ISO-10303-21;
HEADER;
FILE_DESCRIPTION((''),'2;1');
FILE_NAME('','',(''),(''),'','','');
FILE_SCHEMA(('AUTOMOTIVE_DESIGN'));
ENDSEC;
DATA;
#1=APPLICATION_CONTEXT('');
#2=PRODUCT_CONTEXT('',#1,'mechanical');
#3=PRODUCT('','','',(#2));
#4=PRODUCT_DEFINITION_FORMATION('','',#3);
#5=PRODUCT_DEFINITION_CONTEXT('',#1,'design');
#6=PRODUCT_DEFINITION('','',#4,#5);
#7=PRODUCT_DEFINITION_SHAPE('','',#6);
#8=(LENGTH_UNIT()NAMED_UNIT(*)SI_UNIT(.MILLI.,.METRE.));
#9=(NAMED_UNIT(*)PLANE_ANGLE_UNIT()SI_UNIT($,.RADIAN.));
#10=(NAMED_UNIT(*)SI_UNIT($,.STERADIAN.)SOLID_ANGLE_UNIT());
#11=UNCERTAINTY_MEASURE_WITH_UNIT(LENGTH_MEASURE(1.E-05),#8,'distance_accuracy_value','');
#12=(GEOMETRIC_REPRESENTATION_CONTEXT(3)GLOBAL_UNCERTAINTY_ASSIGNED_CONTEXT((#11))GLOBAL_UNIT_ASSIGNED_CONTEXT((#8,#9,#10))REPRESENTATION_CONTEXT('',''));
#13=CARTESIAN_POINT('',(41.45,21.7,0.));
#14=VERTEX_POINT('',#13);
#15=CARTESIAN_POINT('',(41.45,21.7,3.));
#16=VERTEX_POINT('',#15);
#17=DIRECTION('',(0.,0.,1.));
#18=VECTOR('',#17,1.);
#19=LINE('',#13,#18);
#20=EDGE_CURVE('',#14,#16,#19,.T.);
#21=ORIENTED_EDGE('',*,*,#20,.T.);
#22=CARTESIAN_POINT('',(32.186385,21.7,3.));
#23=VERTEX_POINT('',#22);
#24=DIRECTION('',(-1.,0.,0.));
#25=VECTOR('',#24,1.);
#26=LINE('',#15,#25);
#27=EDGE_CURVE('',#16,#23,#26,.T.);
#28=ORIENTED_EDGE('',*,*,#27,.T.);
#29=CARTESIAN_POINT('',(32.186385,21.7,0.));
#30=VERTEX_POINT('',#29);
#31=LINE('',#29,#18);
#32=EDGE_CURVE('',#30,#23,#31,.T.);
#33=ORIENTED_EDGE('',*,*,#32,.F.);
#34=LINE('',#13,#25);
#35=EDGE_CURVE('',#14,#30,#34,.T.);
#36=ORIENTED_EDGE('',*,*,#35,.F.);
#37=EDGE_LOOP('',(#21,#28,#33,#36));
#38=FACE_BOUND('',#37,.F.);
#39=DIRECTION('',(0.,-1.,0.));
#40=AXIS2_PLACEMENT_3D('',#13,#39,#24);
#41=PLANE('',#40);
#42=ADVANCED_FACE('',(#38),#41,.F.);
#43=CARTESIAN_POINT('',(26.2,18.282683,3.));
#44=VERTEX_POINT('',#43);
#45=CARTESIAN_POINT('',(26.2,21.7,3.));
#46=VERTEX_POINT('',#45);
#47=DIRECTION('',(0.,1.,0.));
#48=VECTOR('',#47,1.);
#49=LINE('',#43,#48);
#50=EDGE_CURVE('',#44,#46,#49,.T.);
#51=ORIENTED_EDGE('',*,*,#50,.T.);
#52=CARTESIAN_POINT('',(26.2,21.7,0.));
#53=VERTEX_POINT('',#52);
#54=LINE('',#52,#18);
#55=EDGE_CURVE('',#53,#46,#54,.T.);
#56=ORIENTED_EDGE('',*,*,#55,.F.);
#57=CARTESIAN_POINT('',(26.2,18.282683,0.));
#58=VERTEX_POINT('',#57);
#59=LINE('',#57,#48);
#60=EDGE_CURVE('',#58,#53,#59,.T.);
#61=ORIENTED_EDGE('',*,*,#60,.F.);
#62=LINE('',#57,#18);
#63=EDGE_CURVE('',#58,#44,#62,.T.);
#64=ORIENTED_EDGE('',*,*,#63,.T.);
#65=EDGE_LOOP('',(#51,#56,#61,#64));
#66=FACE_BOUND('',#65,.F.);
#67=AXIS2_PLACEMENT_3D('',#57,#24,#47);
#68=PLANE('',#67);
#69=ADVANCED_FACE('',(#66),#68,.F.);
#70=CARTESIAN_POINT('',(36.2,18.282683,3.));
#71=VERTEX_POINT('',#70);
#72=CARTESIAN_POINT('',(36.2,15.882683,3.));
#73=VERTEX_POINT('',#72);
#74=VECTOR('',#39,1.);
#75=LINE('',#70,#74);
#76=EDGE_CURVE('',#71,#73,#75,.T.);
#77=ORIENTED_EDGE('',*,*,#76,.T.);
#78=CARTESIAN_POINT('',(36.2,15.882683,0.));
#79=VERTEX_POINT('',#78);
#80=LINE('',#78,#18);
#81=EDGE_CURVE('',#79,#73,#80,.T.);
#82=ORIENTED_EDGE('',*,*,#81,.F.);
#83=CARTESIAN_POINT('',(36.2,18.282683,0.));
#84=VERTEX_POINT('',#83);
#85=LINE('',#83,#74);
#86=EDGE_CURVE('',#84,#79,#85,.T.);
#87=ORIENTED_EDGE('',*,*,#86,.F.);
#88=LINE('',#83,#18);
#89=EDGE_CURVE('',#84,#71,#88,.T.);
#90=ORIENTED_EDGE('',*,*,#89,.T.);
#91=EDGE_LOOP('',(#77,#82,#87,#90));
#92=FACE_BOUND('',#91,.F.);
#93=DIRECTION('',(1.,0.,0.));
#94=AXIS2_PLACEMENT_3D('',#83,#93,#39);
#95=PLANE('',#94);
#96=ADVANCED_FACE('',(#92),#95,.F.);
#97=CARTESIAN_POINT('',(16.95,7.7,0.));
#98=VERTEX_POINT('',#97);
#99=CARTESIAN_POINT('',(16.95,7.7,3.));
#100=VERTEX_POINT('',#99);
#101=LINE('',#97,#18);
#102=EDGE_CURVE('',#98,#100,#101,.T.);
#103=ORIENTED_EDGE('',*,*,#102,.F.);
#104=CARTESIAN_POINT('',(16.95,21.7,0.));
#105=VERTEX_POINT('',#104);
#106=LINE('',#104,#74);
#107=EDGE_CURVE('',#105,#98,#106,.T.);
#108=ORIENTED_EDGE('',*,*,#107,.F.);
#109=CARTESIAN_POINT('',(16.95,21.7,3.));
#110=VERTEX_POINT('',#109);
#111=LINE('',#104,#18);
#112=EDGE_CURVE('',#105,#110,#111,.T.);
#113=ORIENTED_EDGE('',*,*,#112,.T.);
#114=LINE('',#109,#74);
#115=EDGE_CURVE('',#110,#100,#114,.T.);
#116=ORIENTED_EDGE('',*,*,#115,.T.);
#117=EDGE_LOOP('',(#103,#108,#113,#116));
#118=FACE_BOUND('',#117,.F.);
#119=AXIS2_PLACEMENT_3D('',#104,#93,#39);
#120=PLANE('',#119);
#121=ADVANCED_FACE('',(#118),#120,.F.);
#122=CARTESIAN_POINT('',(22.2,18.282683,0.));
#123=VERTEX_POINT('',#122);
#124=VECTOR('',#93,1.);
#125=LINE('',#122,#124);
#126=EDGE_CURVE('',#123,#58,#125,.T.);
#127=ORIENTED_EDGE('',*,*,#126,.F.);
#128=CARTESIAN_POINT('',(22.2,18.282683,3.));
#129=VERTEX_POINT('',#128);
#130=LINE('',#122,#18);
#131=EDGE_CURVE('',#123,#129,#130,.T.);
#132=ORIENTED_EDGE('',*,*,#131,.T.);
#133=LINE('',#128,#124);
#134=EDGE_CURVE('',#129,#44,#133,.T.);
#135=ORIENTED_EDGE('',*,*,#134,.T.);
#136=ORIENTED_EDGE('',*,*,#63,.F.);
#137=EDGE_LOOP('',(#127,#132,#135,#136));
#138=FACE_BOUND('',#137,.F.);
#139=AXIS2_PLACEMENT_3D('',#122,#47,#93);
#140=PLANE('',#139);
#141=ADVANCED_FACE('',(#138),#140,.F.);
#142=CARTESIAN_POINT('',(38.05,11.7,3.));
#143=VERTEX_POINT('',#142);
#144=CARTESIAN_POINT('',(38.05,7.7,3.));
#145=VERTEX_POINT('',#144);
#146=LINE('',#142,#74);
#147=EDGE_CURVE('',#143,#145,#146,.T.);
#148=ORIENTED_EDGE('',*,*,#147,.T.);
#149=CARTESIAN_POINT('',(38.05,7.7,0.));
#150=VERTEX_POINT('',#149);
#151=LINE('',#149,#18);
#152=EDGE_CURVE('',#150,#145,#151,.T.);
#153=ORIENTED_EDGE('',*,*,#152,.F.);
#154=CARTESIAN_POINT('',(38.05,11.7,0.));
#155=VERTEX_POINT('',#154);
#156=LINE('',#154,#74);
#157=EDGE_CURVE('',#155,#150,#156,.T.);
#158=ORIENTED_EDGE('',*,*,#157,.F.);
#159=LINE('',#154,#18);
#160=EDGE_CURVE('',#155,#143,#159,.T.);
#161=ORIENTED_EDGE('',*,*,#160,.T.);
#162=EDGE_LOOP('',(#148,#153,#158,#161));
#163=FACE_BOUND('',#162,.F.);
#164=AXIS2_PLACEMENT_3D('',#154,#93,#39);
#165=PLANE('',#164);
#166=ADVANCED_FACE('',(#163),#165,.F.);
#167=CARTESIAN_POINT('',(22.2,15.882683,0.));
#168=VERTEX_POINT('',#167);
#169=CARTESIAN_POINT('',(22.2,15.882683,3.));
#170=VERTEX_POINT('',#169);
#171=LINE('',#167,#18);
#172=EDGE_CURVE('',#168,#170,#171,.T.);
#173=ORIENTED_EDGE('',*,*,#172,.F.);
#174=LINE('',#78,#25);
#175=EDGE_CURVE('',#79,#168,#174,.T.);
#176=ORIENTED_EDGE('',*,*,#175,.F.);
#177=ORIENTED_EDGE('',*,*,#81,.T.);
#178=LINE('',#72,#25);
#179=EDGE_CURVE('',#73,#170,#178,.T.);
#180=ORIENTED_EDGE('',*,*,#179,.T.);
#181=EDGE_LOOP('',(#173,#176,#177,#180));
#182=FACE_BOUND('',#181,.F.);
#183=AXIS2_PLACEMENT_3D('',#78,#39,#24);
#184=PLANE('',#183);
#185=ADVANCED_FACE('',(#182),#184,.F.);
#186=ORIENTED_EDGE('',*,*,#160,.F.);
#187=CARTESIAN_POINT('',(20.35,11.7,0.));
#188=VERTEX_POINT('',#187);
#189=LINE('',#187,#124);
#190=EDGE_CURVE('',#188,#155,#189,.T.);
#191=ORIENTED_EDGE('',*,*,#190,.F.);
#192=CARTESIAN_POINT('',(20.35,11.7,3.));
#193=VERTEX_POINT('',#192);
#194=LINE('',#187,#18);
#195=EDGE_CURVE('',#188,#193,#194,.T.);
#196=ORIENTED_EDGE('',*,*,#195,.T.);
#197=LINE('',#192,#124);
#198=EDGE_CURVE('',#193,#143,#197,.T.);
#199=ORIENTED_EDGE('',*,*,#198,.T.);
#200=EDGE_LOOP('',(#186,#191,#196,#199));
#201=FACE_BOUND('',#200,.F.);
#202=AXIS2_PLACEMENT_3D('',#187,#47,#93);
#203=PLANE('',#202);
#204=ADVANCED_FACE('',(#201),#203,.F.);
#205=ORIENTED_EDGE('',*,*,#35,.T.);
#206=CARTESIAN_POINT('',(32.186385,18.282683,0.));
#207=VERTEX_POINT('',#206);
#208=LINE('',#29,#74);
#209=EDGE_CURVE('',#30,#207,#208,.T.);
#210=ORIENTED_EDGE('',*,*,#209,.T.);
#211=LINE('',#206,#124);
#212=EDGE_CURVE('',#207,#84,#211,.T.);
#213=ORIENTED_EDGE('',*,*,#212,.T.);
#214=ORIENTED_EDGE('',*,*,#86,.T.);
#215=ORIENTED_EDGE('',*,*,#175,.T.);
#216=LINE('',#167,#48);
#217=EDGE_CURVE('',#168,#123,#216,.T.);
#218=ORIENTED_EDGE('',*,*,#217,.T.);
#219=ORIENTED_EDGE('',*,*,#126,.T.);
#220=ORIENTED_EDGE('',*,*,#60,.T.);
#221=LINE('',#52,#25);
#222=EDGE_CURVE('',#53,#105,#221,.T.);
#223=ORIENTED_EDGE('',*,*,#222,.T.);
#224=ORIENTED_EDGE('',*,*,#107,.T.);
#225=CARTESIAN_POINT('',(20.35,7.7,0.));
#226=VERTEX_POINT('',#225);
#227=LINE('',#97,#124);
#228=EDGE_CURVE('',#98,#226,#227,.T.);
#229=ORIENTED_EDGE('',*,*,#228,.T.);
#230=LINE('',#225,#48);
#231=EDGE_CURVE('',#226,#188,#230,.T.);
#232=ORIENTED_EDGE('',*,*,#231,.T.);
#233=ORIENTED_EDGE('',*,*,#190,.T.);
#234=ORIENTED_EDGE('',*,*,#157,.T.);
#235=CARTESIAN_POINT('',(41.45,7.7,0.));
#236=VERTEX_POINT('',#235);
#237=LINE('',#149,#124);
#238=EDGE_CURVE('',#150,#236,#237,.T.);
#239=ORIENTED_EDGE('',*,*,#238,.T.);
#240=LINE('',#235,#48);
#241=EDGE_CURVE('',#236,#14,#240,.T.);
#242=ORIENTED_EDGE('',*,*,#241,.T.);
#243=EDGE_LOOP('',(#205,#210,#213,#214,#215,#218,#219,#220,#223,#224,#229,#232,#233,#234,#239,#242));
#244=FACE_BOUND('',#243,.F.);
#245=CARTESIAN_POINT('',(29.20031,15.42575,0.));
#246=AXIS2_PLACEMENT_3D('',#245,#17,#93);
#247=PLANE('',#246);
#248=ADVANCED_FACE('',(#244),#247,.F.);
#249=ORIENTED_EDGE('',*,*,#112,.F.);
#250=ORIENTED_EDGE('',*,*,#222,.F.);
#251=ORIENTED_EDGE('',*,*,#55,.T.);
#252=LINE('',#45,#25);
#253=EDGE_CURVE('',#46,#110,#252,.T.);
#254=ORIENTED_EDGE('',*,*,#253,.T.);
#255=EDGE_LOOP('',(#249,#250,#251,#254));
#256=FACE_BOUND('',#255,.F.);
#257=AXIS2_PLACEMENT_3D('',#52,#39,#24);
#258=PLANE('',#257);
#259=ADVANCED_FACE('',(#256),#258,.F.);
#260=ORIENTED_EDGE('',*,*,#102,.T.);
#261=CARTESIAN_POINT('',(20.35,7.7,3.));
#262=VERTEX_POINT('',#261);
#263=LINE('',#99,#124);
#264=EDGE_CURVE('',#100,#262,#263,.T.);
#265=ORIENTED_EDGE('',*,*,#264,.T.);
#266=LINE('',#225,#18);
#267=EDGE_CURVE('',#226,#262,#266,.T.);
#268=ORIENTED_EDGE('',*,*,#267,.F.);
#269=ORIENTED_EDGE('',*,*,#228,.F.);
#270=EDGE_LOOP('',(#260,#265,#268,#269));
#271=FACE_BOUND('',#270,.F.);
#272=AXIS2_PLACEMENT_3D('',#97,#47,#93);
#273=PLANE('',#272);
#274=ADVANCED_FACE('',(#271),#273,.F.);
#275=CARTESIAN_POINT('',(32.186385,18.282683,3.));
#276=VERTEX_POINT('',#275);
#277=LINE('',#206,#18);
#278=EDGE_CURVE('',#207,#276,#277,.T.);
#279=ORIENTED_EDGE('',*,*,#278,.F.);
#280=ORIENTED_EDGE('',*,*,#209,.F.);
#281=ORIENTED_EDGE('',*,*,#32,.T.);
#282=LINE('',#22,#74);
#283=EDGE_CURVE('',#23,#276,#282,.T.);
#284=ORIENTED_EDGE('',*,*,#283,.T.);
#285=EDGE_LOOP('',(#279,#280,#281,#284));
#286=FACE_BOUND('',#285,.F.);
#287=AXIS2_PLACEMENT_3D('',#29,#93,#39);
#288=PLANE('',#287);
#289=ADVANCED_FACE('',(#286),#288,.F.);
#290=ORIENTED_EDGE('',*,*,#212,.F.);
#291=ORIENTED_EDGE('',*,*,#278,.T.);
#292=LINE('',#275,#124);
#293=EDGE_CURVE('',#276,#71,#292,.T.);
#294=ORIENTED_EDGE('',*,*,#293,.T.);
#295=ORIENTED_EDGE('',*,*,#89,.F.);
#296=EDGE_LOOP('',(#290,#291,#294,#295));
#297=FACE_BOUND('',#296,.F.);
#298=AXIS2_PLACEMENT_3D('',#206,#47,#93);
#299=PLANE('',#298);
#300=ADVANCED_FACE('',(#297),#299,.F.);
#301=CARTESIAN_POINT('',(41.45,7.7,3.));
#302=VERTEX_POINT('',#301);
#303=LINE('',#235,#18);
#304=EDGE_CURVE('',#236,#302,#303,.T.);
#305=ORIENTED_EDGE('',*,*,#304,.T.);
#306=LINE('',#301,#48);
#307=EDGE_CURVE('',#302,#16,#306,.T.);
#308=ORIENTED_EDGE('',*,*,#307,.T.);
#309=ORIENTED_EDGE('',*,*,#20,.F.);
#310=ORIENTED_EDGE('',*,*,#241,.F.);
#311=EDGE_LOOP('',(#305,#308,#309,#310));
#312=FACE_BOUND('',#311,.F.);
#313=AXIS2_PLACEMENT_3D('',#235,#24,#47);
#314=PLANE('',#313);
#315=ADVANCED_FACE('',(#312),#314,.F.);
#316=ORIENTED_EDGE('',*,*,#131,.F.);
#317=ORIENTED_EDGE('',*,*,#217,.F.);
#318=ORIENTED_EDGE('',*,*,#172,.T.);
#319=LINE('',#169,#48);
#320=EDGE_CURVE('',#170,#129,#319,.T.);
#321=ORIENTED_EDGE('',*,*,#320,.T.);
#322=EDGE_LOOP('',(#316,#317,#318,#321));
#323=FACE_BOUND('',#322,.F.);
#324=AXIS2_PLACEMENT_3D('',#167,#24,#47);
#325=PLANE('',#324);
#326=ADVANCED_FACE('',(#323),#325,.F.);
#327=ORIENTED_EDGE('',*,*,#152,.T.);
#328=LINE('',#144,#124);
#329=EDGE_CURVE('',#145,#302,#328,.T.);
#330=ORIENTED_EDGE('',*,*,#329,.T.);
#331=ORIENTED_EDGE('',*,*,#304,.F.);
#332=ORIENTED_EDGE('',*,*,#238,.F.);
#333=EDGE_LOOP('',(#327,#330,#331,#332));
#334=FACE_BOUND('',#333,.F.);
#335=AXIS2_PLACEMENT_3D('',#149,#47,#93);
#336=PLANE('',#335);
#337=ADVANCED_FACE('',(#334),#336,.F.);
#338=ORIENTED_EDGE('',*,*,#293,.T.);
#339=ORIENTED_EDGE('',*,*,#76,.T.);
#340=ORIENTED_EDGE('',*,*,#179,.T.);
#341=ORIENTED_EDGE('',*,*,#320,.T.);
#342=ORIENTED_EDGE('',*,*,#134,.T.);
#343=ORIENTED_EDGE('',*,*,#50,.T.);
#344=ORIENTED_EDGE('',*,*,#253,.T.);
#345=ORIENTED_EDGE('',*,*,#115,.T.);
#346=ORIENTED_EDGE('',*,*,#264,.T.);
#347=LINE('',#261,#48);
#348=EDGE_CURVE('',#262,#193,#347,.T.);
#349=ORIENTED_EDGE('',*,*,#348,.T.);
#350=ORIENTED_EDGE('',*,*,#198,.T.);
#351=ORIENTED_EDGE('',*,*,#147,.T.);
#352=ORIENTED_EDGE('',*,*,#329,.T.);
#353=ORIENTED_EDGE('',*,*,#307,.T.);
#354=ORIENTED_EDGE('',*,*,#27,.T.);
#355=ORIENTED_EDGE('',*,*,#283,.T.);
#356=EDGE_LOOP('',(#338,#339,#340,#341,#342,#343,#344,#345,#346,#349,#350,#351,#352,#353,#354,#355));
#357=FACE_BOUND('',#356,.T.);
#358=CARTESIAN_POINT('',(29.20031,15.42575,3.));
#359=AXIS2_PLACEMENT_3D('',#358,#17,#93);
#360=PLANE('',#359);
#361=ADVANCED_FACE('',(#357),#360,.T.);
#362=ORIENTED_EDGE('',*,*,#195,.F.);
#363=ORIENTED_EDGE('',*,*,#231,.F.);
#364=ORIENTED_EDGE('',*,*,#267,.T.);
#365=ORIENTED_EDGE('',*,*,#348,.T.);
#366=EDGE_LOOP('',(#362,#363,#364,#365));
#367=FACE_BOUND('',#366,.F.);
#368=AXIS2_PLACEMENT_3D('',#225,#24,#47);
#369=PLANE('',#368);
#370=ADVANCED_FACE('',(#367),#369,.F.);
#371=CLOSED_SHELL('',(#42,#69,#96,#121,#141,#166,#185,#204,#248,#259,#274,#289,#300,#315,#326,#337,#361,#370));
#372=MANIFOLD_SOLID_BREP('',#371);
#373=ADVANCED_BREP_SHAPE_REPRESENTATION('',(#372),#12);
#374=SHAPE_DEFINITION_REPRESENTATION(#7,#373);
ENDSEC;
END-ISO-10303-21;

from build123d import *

# Parameters (mm, degrees)
SALIENTE_EXTRUIR1_DEPTH = 3


with BuildPart() as part:
    # Model → Saliente-Extruir1 (new body)
    with BuildSketch(Plane.XY):
        Polygon((38.05, 7.7), (41.45, 7.7), (41.45, 21.7), (32.186385402, 21.7), (32.186385402, 18.282683294), (36.2, 18.282683294), (36.2, 15.882683294), (29.7, 15.882683294), (22.2, 15.882683294), (22.2, 18.282683294), (26.2, 18.282683294), (26.2, 21.7), (16.95, 21.7), (16.95, 7.7), (20.35, 7.7), (20.35, 11.7), (38.05, 11.7), align=None)
    extrude(amount=SALIENTE_EXTRUIR1_DEPTH)


solid = part.part
